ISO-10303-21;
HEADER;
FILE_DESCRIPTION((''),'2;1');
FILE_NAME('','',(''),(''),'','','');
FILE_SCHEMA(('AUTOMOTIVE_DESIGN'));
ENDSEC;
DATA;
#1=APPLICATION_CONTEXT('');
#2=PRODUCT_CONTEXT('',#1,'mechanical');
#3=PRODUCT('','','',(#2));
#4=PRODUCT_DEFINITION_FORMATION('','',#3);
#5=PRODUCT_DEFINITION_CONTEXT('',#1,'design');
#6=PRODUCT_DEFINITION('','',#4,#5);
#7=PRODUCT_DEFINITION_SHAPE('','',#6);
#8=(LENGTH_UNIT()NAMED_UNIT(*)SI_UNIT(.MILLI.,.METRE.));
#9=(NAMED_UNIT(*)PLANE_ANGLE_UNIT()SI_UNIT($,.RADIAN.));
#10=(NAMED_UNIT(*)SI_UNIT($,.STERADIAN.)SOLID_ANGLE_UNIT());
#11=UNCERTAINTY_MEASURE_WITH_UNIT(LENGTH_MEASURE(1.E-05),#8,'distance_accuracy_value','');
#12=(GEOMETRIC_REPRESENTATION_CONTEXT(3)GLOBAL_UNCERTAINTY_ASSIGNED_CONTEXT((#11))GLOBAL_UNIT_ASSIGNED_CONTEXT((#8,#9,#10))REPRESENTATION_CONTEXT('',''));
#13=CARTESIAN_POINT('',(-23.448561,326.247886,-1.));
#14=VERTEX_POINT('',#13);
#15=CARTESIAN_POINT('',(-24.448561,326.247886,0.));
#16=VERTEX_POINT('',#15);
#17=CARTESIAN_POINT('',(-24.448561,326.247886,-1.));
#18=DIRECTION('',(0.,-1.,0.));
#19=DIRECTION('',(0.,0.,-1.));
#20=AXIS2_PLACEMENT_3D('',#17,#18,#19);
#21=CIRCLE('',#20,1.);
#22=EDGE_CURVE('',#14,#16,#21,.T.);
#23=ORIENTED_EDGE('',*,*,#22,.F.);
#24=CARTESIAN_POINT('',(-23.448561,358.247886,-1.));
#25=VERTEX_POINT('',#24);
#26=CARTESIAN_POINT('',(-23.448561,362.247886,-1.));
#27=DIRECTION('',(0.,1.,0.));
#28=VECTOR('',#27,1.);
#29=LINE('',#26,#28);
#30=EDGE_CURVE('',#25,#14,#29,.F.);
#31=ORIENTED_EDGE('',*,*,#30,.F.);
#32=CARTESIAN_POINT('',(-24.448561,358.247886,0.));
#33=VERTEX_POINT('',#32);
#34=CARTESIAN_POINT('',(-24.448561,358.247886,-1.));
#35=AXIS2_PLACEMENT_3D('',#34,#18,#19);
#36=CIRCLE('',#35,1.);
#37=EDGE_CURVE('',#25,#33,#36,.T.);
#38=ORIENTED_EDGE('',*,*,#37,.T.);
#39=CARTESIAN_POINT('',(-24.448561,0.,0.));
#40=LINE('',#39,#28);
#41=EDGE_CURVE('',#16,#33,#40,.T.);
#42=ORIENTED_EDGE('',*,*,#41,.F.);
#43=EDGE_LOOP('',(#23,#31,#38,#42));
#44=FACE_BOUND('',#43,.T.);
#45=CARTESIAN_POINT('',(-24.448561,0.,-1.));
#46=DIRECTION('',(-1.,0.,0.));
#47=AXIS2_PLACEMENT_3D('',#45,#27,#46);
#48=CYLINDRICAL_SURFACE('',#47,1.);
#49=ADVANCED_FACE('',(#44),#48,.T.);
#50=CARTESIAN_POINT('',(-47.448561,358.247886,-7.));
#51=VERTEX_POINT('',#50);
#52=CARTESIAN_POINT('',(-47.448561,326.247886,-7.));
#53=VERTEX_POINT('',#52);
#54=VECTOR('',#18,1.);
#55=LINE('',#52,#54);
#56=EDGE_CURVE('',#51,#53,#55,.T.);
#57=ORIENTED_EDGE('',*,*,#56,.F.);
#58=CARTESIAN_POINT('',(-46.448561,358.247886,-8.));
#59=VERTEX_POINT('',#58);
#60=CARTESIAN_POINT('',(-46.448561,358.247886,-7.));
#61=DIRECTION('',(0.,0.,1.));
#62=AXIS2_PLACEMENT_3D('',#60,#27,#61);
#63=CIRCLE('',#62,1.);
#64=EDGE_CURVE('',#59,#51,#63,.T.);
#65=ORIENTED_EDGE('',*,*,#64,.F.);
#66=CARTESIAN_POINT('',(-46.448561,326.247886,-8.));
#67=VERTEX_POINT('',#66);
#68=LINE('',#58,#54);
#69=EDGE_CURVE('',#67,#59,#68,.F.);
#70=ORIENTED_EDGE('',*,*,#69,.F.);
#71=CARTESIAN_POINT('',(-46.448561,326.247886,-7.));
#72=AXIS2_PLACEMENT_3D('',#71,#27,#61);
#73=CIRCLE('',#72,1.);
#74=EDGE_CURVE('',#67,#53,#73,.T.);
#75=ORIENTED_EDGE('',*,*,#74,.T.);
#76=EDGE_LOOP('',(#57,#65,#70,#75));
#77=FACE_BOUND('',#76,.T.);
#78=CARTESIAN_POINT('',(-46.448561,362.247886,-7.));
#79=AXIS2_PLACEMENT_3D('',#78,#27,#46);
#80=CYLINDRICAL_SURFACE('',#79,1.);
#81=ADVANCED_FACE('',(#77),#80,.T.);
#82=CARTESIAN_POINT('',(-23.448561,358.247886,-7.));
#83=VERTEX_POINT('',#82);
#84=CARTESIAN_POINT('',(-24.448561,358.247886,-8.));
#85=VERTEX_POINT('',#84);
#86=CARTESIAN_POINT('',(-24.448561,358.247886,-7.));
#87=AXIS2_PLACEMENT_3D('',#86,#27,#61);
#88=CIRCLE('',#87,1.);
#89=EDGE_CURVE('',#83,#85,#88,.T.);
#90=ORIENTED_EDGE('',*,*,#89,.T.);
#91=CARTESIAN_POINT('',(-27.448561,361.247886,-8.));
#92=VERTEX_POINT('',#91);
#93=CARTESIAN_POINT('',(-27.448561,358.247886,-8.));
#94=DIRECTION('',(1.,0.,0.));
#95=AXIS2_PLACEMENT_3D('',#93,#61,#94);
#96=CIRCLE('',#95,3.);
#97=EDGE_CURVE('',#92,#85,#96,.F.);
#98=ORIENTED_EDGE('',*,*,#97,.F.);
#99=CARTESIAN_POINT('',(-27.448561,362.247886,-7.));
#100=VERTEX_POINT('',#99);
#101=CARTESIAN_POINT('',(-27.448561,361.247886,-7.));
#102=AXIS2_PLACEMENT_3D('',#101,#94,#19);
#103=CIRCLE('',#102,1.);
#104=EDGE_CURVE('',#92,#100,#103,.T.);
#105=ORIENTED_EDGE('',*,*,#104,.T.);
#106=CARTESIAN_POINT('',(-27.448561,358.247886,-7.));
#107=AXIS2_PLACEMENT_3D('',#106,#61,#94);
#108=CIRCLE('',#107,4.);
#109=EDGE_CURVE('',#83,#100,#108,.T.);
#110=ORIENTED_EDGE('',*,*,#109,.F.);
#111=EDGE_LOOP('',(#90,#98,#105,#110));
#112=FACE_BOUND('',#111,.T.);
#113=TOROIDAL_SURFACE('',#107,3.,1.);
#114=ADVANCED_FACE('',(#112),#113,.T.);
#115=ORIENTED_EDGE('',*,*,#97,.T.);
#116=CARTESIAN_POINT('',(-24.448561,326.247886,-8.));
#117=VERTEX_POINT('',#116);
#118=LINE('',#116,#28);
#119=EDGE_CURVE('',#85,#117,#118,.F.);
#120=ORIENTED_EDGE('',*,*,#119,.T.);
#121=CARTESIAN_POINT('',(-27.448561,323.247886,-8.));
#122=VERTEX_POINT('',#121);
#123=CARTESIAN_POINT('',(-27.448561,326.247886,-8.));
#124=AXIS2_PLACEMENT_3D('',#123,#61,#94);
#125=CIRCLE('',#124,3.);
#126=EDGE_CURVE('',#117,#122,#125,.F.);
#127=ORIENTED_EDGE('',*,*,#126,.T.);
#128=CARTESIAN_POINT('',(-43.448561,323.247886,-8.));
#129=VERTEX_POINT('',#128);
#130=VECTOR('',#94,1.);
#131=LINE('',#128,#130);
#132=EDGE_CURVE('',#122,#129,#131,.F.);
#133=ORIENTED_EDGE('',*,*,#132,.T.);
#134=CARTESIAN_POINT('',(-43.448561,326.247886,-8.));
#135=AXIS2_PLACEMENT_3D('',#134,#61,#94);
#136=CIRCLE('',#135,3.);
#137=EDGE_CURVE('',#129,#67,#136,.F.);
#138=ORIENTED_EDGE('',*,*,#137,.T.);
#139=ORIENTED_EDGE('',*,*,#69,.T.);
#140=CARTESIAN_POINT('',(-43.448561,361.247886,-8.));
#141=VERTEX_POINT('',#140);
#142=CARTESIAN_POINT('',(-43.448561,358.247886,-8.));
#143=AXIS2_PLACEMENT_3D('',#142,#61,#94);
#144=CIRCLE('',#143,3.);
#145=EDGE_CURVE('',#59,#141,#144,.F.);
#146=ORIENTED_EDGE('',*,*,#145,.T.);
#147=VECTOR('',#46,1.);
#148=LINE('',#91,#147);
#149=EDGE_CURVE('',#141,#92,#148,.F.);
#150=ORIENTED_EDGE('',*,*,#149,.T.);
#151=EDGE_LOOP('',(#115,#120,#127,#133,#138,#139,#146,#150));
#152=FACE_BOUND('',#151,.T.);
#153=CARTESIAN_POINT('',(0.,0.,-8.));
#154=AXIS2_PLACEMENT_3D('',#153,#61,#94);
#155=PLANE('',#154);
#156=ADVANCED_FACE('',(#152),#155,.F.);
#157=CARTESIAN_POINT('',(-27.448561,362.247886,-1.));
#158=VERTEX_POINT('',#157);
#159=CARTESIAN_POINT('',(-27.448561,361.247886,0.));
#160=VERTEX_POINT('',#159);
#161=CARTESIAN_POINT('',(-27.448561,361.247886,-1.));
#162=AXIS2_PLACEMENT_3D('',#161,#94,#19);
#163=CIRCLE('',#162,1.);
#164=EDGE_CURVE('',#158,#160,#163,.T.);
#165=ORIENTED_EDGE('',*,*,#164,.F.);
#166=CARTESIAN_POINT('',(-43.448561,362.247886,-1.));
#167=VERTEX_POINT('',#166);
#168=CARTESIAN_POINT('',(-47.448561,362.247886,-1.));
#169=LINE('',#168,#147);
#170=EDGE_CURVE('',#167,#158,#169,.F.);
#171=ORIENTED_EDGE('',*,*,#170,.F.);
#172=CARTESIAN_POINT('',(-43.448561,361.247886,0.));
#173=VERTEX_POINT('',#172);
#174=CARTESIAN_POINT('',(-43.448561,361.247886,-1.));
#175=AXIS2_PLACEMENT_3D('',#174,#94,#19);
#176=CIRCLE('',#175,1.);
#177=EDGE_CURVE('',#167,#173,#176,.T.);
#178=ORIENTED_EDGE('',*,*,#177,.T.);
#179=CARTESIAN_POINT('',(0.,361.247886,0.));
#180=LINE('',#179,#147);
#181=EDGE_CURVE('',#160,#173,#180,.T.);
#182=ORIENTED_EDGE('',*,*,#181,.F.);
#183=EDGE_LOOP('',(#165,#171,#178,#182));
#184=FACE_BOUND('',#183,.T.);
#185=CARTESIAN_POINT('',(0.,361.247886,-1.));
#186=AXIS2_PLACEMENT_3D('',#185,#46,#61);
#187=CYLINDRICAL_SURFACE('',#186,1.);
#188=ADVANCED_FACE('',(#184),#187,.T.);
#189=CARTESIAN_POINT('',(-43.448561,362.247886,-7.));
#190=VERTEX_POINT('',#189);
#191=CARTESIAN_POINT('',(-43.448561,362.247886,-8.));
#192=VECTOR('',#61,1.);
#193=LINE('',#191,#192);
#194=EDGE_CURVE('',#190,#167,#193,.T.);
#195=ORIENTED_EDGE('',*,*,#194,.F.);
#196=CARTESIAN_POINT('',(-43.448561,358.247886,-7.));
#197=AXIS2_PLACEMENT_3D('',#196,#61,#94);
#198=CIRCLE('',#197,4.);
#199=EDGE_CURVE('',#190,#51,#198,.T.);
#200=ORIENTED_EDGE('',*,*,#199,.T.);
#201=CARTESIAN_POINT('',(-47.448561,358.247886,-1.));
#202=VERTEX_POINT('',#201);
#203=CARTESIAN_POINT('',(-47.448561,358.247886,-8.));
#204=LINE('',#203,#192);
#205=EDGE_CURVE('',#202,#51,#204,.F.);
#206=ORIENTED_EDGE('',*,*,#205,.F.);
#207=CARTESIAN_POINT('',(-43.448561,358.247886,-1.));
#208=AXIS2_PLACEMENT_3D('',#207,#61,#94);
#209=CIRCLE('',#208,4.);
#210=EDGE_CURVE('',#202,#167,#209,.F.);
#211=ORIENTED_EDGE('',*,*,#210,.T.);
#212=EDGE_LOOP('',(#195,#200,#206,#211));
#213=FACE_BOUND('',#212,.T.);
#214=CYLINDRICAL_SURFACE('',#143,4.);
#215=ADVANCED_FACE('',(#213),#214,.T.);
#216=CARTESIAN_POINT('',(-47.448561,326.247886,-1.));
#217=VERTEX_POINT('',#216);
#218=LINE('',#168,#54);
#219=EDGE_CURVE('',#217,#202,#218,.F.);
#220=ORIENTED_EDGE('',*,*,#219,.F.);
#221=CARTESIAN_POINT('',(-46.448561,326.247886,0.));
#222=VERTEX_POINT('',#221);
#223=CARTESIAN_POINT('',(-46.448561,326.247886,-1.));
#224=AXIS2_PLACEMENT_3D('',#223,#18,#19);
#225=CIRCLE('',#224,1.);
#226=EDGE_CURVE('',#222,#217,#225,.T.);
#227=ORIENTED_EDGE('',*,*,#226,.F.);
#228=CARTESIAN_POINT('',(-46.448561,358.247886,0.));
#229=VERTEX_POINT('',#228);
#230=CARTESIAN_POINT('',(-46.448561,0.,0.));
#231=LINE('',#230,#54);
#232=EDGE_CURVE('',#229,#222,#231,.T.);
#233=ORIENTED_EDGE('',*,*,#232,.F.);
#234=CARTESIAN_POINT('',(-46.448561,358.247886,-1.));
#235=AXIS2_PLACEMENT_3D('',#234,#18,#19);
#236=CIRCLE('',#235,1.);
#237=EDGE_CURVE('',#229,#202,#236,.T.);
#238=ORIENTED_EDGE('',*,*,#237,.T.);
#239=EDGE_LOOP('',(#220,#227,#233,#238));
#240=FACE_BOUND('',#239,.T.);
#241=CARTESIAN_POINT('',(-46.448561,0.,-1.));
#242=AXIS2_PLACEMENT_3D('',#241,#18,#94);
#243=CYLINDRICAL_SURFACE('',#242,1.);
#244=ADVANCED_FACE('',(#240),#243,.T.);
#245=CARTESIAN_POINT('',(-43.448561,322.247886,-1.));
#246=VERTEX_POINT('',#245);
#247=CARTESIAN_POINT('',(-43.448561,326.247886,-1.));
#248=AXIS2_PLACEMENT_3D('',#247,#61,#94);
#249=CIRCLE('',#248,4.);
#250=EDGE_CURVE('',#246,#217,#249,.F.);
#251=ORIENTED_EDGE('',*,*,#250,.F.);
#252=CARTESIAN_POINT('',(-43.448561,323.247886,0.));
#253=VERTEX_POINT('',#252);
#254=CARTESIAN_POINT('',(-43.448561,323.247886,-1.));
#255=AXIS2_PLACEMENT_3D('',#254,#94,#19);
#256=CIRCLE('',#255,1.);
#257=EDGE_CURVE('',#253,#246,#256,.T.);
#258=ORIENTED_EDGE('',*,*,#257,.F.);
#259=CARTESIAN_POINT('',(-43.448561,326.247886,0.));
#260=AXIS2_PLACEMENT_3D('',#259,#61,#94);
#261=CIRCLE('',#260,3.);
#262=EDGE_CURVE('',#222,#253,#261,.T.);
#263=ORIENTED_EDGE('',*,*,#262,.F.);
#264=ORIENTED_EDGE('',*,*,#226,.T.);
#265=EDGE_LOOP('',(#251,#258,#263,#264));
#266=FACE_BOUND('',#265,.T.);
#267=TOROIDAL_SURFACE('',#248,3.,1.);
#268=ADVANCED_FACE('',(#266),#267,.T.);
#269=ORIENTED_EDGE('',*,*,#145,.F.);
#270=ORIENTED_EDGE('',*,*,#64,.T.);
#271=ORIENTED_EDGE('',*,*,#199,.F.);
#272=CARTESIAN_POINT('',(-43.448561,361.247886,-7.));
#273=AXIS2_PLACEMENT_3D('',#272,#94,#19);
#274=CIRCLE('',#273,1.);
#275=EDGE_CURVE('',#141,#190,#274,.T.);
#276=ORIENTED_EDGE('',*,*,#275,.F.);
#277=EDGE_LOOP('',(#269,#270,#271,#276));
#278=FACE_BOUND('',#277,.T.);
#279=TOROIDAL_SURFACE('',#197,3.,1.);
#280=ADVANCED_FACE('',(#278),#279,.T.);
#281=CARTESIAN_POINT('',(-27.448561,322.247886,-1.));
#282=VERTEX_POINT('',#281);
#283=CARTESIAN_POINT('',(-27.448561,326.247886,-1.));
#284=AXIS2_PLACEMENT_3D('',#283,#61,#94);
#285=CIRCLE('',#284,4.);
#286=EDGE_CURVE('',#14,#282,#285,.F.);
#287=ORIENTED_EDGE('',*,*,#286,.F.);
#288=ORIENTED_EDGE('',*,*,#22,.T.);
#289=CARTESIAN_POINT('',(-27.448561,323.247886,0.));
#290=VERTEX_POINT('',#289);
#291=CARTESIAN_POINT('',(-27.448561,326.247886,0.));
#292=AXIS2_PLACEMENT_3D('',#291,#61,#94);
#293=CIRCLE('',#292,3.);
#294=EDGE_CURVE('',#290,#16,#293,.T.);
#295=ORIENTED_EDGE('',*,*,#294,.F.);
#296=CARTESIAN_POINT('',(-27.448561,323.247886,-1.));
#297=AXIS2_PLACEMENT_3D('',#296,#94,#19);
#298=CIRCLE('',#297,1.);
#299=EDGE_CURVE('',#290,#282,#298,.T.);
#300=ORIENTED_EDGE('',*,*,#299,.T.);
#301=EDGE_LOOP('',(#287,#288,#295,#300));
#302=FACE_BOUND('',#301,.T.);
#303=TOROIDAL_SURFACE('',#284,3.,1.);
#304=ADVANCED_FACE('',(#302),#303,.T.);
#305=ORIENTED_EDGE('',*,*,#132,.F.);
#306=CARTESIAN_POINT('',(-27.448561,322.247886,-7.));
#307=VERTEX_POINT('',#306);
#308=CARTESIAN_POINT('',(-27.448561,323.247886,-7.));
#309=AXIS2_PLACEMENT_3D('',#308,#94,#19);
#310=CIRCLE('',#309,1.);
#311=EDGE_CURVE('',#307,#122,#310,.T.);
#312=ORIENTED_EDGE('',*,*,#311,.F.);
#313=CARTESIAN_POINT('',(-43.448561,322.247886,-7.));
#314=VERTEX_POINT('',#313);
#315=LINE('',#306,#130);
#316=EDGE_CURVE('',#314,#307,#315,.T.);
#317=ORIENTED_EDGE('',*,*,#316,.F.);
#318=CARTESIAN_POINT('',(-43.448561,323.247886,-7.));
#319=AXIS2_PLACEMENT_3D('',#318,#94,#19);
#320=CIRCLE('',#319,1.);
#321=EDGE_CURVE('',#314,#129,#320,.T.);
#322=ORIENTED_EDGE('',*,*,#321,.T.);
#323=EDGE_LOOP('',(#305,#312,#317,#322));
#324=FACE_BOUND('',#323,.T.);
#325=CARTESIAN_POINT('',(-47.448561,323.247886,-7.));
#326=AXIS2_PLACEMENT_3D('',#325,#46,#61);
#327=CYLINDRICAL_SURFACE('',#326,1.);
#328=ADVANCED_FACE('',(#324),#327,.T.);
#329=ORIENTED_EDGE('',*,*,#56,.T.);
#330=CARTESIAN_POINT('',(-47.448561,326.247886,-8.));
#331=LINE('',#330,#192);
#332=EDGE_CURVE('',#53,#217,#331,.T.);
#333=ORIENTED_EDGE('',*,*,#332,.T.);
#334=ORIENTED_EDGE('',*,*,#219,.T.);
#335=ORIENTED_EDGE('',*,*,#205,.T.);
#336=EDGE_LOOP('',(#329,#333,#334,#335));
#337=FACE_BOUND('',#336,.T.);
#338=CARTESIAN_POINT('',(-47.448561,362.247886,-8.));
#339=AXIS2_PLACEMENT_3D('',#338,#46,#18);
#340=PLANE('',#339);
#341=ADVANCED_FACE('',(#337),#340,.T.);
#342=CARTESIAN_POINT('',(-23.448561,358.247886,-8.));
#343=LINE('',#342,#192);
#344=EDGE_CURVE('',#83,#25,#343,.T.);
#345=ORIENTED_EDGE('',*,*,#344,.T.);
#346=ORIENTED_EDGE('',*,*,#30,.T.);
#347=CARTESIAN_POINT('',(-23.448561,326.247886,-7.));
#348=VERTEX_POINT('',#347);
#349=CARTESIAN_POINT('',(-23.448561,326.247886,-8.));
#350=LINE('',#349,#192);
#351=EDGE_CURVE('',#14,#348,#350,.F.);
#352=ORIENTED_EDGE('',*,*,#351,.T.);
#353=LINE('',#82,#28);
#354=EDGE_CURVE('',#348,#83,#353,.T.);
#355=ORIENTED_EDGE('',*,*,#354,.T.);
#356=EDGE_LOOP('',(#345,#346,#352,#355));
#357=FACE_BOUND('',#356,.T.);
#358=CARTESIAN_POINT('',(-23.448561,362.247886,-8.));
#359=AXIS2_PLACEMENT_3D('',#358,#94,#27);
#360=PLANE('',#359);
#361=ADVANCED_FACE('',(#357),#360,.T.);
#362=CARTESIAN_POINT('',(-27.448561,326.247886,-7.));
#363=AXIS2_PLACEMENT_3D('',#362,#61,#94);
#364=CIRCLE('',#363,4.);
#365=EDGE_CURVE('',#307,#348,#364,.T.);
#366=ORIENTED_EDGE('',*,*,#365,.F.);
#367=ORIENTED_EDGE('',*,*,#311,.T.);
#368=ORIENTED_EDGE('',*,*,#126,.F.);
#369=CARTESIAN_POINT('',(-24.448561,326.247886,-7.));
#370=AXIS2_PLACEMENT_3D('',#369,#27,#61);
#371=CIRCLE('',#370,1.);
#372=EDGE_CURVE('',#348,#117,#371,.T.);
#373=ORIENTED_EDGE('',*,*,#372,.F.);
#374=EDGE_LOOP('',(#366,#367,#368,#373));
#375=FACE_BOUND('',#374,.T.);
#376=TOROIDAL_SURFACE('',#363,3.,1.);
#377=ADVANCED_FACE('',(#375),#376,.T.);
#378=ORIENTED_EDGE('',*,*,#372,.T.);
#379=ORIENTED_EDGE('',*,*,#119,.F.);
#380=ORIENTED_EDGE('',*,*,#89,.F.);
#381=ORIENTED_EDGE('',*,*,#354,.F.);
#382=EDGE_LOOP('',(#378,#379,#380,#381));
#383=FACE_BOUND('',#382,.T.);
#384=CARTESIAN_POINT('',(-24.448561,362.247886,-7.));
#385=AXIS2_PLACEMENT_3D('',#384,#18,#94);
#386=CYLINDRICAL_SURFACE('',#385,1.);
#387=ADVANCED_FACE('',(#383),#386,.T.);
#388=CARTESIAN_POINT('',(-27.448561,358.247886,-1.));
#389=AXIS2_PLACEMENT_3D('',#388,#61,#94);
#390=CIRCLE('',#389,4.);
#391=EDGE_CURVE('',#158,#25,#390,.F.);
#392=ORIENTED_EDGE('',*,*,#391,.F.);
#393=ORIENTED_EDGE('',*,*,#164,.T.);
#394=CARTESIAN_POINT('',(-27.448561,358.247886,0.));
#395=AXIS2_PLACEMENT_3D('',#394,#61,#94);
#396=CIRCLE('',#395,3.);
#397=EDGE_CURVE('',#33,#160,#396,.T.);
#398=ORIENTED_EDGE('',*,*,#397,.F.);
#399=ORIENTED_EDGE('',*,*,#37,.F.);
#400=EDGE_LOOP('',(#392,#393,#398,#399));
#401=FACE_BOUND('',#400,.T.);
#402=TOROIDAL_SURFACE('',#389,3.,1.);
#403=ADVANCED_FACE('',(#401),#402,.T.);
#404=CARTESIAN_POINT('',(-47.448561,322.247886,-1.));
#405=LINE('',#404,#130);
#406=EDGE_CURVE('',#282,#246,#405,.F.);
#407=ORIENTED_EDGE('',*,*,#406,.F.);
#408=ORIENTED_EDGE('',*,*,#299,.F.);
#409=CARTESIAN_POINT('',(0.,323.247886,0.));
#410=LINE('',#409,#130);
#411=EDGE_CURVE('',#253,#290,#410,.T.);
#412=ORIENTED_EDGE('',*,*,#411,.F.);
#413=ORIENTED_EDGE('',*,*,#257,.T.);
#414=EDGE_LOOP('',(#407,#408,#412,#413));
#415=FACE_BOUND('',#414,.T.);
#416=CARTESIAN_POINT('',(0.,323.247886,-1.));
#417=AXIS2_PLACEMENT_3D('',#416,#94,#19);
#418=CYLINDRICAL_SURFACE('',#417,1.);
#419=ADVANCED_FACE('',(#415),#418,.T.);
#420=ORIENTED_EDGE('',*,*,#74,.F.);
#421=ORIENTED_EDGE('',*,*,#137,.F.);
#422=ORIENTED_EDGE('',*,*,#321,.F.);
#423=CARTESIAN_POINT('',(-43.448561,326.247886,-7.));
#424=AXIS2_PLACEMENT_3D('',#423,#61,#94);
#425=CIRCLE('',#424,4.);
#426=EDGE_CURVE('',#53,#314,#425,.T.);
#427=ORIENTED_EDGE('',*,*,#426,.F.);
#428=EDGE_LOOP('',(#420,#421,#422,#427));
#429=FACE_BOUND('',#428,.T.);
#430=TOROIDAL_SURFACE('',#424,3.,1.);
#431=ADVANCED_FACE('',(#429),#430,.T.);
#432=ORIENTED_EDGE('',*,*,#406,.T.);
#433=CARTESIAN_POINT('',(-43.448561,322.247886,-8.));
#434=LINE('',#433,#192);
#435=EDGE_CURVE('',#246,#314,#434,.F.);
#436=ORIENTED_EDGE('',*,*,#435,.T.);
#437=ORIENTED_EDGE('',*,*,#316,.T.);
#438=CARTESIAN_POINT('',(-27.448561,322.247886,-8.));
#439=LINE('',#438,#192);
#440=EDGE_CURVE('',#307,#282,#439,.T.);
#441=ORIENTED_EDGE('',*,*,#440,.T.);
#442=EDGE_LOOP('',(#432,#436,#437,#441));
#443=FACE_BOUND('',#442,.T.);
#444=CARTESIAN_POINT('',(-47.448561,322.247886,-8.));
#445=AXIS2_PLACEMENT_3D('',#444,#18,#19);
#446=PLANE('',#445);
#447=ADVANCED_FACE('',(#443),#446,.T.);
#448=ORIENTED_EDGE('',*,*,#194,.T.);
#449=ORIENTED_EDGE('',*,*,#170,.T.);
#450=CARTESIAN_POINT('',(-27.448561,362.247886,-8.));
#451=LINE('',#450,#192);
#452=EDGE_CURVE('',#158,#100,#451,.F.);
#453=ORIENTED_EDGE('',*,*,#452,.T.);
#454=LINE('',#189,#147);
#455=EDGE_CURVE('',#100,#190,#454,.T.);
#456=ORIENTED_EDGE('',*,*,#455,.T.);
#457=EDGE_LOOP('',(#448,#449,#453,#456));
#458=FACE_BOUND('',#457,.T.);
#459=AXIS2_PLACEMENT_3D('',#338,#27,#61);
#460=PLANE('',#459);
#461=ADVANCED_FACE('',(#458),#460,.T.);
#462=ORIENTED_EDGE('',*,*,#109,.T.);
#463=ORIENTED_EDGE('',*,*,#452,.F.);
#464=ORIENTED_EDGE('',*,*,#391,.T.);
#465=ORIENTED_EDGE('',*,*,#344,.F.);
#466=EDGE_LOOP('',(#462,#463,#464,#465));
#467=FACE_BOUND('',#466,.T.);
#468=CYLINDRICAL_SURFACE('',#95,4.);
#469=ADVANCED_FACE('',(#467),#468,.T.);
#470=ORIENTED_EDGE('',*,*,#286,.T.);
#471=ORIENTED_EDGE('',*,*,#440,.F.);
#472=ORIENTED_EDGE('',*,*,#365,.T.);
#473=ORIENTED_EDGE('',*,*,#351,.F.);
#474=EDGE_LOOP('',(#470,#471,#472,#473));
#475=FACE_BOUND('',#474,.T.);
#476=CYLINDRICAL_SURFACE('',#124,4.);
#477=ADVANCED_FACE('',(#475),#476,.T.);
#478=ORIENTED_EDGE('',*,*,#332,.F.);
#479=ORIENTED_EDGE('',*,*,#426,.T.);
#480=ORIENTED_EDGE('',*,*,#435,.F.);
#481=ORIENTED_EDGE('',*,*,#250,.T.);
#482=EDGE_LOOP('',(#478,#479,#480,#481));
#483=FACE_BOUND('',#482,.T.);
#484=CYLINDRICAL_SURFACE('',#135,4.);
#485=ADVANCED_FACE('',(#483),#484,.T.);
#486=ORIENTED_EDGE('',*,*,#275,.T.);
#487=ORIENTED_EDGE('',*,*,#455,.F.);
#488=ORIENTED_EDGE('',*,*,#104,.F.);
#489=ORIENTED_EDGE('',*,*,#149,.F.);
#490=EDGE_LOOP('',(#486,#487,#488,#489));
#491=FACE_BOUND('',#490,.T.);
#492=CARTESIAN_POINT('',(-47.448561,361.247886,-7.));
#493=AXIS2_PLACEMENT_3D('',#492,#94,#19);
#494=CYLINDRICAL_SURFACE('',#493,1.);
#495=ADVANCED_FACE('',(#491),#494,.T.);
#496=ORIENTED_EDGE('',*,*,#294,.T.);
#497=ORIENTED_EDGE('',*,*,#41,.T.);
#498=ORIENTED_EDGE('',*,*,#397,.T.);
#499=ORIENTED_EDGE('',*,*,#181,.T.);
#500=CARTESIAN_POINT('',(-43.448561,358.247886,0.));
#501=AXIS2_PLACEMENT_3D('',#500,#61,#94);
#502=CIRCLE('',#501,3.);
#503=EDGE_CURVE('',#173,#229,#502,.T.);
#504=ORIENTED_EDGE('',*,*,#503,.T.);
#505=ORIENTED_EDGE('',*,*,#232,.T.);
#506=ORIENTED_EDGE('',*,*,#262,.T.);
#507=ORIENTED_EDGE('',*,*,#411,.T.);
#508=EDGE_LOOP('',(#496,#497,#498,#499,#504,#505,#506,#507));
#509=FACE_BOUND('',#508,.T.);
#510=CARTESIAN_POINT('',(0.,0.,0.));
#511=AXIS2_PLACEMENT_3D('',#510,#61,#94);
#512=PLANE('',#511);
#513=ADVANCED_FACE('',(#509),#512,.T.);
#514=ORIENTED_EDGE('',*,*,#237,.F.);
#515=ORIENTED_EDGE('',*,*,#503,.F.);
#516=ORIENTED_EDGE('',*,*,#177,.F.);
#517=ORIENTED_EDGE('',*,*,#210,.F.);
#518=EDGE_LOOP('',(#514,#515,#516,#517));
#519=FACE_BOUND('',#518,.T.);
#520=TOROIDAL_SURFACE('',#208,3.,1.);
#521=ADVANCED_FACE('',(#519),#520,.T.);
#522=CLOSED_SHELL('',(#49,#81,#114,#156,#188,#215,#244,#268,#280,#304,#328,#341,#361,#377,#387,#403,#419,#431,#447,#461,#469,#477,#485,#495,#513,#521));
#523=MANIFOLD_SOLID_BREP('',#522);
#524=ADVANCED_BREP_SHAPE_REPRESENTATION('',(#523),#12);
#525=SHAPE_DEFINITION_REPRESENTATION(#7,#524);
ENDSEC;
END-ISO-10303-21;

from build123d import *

# Parameters (mm, degrees)
SKETCH1_W           = 24
SKETCH1_H           = 40
BOSS_EXTRUDE1_DEPTH = 8
FILLET1_R           = 4
FILLET2_R           = 1


with BuildPart() as part:
    # Sketch1 → Boss-Extrude1 (new body)
    with BuildSketch(Plane.XY):
        with Locations((-35.448560737, 342.247885871)):
            Rectangle(SKETCH1_W, SKETCH1_H)
    extrude(amount=-BOSS_EXTRUDE1_DEPTH)

    # Fillet1
    fillet1_edges = [part.edges().sort_by_distance(p)[0] for p in [
        (-47.448560737, 362.247885871, -4),
        (-23.448560737, 362.247885871, -4),
        (-23.448560737, 322.247885871, -4),
        (-47.448560737, 322.247885871, -4),
    ]]
    fillet(fillet1_edges, radius=FILLET1_R)

    # Fillet2
    fillet2_edges = [part.edges().sort_by_distance(p)[0] for p in [
        (-23.448560737, 342.247885871, 0),
        (-23.448560737, 342.247885871, -8),
        (-47.448560737, 342.247885871, 0),
        (-35.448560737, 322.247885871, 0),
        (-35.448560737, 362.247885871, 0),
        (-46.276987862, 361.076312996, 0),
        (-46.276987862, 323.419458746, 0),
        (-24.620133612, 323.419458746, 0),
        (-24.620133612, 361.076312996, 0),
        (-35.448560737, 362.247885871, -8),
        (-47.448560737, 342.247885871, -8),
        (-35.448560737, 322.247885871, -8),
        (-46.276987862, 361.076312996, -8),
        (-46.276987862, 323.419458746, -8),
        (-24.620133612, 323.419458746, -8),
        (-24.620133612, 361.076312996, -8),
    ]]
    fillet(fillet2_edges, radius=FILLET2_R)


solid = part.part
